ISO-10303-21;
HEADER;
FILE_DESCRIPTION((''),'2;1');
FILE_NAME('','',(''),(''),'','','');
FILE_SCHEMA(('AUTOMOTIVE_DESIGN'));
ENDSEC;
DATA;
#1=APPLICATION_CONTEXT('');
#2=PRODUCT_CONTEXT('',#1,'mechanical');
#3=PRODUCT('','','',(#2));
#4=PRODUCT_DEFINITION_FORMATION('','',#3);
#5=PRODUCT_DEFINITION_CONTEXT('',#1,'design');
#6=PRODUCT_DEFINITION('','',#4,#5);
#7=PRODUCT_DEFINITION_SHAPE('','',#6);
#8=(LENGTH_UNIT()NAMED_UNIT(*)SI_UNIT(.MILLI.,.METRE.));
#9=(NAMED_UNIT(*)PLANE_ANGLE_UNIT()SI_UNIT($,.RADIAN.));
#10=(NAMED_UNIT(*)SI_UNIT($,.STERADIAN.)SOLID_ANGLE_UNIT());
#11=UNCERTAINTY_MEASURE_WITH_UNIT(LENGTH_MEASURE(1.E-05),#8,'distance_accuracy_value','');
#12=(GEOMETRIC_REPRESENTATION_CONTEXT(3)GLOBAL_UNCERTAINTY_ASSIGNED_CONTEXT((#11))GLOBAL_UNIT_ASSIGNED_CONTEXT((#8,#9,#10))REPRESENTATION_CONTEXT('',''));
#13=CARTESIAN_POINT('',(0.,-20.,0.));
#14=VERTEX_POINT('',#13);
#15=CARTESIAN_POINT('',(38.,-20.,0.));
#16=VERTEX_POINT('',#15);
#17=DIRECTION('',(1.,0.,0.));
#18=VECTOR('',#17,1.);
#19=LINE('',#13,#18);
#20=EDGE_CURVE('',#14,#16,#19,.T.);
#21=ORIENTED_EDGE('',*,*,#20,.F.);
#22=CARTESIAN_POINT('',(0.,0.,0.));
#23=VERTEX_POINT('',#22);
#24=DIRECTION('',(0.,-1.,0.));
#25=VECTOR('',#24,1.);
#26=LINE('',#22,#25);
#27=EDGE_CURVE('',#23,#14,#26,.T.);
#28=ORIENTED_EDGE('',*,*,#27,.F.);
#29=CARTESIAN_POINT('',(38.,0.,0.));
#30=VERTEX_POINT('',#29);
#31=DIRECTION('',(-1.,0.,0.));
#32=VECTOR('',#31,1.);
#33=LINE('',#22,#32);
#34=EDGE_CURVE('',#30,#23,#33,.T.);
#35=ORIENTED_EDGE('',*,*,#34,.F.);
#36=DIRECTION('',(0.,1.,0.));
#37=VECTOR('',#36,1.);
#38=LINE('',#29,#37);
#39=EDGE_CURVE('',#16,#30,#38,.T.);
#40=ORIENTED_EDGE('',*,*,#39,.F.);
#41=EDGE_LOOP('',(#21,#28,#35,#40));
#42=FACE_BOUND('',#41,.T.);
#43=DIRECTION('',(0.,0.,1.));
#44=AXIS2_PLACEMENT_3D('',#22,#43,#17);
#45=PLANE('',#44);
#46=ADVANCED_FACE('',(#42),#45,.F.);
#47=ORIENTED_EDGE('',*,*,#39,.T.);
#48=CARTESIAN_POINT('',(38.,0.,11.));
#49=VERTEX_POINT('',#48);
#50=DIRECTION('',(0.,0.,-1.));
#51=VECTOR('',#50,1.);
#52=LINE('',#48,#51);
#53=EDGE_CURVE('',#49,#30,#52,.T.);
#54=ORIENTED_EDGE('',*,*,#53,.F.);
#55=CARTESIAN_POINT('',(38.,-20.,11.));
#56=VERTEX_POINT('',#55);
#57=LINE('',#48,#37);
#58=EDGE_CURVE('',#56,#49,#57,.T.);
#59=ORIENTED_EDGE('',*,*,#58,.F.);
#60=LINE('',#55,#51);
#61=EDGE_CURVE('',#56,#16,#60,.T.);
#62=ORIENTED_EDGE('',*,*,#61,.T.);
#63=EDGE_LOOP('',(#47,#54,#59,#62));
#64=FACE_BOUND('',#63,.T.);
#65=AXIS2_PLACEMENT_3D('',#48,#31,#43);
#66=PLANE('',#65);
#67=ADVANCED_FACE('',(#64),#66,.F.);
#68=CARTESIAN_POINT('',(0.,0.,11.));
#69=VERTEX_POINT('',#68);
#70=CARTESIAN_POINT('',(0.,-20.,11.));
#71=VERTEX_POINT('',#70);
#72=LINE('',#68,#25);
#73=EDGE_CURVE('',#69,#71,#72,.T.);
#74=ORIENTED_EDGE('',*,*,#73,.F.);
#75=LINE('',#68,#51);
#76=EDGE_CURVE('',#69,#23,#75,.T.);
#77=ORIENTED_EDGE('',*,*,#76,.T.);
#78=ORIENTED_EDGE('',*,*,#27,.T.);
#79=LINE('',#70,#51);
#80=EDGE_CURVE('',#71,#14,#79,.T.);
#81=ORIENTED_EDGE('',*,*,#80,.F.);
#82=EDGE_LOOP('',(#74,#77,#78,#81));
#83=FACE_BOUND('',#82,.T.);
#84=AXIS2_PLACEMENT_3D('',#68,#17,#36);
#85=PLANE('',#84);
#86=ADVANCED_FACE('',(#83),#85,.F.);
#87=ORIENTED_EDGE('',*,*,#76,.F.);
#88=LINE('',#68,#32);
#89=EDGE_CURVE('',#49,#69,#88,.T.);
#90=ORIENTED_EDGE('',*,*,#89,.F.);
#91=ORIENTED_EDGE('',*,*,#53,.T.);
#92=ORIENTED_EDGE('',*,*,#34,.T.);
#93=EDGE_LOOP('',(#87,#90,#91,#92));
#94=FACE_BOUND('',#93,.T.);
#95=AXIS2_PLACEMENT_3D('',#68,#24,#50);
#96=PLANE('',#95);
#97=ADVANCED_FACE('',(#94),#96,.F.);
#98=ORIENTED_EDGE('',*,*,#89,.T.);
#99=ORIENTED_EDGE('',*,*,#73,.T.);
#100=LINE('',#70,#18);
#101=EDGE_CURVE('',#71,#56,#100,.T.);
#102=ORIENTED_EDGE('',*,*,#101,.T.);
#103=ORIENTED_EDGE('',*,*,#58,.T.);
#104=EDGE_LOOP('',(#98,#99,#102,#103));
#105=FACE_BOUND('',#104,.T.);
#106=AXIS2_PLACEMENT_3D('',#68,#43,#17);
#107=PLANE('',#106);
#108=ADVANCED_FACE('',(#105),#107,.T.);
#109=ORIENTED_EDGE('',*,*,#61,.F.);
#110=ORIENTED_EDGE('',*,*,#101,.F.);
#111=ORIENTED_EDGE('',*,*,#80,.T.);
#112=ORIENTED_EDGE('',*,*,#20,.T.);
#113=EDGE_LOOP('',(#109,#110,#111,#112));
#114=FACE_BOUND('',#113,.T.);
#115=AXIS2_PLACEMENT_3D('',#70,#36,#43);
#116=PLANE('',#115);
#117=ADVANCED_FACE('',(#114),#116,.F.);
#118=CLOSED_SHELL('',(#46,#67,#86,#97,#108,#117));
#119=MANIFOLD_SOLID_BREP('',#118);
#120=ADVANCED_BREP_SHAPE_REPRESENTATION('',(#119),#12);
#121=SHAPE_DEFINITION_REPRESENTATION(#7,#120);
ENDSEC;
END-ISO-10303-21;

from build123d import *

# Parameters (mm, degrees)
SKETCH_1_W      = 38
SKETCH_1_H      = 20
EXTRUDE_1_DEPTH = 11


with BuildPart() as part:
    # 草图1 → 凸台-拉伸1 (new body)
    with BuildSketch(Plane.XY):
        with Locations((19, -10)):
            Rectangle(SKETCH_1_W, SKETCH_1_H)
    extrude(amount=EXTRUDE_1_DEPTH)


solid = part.part
